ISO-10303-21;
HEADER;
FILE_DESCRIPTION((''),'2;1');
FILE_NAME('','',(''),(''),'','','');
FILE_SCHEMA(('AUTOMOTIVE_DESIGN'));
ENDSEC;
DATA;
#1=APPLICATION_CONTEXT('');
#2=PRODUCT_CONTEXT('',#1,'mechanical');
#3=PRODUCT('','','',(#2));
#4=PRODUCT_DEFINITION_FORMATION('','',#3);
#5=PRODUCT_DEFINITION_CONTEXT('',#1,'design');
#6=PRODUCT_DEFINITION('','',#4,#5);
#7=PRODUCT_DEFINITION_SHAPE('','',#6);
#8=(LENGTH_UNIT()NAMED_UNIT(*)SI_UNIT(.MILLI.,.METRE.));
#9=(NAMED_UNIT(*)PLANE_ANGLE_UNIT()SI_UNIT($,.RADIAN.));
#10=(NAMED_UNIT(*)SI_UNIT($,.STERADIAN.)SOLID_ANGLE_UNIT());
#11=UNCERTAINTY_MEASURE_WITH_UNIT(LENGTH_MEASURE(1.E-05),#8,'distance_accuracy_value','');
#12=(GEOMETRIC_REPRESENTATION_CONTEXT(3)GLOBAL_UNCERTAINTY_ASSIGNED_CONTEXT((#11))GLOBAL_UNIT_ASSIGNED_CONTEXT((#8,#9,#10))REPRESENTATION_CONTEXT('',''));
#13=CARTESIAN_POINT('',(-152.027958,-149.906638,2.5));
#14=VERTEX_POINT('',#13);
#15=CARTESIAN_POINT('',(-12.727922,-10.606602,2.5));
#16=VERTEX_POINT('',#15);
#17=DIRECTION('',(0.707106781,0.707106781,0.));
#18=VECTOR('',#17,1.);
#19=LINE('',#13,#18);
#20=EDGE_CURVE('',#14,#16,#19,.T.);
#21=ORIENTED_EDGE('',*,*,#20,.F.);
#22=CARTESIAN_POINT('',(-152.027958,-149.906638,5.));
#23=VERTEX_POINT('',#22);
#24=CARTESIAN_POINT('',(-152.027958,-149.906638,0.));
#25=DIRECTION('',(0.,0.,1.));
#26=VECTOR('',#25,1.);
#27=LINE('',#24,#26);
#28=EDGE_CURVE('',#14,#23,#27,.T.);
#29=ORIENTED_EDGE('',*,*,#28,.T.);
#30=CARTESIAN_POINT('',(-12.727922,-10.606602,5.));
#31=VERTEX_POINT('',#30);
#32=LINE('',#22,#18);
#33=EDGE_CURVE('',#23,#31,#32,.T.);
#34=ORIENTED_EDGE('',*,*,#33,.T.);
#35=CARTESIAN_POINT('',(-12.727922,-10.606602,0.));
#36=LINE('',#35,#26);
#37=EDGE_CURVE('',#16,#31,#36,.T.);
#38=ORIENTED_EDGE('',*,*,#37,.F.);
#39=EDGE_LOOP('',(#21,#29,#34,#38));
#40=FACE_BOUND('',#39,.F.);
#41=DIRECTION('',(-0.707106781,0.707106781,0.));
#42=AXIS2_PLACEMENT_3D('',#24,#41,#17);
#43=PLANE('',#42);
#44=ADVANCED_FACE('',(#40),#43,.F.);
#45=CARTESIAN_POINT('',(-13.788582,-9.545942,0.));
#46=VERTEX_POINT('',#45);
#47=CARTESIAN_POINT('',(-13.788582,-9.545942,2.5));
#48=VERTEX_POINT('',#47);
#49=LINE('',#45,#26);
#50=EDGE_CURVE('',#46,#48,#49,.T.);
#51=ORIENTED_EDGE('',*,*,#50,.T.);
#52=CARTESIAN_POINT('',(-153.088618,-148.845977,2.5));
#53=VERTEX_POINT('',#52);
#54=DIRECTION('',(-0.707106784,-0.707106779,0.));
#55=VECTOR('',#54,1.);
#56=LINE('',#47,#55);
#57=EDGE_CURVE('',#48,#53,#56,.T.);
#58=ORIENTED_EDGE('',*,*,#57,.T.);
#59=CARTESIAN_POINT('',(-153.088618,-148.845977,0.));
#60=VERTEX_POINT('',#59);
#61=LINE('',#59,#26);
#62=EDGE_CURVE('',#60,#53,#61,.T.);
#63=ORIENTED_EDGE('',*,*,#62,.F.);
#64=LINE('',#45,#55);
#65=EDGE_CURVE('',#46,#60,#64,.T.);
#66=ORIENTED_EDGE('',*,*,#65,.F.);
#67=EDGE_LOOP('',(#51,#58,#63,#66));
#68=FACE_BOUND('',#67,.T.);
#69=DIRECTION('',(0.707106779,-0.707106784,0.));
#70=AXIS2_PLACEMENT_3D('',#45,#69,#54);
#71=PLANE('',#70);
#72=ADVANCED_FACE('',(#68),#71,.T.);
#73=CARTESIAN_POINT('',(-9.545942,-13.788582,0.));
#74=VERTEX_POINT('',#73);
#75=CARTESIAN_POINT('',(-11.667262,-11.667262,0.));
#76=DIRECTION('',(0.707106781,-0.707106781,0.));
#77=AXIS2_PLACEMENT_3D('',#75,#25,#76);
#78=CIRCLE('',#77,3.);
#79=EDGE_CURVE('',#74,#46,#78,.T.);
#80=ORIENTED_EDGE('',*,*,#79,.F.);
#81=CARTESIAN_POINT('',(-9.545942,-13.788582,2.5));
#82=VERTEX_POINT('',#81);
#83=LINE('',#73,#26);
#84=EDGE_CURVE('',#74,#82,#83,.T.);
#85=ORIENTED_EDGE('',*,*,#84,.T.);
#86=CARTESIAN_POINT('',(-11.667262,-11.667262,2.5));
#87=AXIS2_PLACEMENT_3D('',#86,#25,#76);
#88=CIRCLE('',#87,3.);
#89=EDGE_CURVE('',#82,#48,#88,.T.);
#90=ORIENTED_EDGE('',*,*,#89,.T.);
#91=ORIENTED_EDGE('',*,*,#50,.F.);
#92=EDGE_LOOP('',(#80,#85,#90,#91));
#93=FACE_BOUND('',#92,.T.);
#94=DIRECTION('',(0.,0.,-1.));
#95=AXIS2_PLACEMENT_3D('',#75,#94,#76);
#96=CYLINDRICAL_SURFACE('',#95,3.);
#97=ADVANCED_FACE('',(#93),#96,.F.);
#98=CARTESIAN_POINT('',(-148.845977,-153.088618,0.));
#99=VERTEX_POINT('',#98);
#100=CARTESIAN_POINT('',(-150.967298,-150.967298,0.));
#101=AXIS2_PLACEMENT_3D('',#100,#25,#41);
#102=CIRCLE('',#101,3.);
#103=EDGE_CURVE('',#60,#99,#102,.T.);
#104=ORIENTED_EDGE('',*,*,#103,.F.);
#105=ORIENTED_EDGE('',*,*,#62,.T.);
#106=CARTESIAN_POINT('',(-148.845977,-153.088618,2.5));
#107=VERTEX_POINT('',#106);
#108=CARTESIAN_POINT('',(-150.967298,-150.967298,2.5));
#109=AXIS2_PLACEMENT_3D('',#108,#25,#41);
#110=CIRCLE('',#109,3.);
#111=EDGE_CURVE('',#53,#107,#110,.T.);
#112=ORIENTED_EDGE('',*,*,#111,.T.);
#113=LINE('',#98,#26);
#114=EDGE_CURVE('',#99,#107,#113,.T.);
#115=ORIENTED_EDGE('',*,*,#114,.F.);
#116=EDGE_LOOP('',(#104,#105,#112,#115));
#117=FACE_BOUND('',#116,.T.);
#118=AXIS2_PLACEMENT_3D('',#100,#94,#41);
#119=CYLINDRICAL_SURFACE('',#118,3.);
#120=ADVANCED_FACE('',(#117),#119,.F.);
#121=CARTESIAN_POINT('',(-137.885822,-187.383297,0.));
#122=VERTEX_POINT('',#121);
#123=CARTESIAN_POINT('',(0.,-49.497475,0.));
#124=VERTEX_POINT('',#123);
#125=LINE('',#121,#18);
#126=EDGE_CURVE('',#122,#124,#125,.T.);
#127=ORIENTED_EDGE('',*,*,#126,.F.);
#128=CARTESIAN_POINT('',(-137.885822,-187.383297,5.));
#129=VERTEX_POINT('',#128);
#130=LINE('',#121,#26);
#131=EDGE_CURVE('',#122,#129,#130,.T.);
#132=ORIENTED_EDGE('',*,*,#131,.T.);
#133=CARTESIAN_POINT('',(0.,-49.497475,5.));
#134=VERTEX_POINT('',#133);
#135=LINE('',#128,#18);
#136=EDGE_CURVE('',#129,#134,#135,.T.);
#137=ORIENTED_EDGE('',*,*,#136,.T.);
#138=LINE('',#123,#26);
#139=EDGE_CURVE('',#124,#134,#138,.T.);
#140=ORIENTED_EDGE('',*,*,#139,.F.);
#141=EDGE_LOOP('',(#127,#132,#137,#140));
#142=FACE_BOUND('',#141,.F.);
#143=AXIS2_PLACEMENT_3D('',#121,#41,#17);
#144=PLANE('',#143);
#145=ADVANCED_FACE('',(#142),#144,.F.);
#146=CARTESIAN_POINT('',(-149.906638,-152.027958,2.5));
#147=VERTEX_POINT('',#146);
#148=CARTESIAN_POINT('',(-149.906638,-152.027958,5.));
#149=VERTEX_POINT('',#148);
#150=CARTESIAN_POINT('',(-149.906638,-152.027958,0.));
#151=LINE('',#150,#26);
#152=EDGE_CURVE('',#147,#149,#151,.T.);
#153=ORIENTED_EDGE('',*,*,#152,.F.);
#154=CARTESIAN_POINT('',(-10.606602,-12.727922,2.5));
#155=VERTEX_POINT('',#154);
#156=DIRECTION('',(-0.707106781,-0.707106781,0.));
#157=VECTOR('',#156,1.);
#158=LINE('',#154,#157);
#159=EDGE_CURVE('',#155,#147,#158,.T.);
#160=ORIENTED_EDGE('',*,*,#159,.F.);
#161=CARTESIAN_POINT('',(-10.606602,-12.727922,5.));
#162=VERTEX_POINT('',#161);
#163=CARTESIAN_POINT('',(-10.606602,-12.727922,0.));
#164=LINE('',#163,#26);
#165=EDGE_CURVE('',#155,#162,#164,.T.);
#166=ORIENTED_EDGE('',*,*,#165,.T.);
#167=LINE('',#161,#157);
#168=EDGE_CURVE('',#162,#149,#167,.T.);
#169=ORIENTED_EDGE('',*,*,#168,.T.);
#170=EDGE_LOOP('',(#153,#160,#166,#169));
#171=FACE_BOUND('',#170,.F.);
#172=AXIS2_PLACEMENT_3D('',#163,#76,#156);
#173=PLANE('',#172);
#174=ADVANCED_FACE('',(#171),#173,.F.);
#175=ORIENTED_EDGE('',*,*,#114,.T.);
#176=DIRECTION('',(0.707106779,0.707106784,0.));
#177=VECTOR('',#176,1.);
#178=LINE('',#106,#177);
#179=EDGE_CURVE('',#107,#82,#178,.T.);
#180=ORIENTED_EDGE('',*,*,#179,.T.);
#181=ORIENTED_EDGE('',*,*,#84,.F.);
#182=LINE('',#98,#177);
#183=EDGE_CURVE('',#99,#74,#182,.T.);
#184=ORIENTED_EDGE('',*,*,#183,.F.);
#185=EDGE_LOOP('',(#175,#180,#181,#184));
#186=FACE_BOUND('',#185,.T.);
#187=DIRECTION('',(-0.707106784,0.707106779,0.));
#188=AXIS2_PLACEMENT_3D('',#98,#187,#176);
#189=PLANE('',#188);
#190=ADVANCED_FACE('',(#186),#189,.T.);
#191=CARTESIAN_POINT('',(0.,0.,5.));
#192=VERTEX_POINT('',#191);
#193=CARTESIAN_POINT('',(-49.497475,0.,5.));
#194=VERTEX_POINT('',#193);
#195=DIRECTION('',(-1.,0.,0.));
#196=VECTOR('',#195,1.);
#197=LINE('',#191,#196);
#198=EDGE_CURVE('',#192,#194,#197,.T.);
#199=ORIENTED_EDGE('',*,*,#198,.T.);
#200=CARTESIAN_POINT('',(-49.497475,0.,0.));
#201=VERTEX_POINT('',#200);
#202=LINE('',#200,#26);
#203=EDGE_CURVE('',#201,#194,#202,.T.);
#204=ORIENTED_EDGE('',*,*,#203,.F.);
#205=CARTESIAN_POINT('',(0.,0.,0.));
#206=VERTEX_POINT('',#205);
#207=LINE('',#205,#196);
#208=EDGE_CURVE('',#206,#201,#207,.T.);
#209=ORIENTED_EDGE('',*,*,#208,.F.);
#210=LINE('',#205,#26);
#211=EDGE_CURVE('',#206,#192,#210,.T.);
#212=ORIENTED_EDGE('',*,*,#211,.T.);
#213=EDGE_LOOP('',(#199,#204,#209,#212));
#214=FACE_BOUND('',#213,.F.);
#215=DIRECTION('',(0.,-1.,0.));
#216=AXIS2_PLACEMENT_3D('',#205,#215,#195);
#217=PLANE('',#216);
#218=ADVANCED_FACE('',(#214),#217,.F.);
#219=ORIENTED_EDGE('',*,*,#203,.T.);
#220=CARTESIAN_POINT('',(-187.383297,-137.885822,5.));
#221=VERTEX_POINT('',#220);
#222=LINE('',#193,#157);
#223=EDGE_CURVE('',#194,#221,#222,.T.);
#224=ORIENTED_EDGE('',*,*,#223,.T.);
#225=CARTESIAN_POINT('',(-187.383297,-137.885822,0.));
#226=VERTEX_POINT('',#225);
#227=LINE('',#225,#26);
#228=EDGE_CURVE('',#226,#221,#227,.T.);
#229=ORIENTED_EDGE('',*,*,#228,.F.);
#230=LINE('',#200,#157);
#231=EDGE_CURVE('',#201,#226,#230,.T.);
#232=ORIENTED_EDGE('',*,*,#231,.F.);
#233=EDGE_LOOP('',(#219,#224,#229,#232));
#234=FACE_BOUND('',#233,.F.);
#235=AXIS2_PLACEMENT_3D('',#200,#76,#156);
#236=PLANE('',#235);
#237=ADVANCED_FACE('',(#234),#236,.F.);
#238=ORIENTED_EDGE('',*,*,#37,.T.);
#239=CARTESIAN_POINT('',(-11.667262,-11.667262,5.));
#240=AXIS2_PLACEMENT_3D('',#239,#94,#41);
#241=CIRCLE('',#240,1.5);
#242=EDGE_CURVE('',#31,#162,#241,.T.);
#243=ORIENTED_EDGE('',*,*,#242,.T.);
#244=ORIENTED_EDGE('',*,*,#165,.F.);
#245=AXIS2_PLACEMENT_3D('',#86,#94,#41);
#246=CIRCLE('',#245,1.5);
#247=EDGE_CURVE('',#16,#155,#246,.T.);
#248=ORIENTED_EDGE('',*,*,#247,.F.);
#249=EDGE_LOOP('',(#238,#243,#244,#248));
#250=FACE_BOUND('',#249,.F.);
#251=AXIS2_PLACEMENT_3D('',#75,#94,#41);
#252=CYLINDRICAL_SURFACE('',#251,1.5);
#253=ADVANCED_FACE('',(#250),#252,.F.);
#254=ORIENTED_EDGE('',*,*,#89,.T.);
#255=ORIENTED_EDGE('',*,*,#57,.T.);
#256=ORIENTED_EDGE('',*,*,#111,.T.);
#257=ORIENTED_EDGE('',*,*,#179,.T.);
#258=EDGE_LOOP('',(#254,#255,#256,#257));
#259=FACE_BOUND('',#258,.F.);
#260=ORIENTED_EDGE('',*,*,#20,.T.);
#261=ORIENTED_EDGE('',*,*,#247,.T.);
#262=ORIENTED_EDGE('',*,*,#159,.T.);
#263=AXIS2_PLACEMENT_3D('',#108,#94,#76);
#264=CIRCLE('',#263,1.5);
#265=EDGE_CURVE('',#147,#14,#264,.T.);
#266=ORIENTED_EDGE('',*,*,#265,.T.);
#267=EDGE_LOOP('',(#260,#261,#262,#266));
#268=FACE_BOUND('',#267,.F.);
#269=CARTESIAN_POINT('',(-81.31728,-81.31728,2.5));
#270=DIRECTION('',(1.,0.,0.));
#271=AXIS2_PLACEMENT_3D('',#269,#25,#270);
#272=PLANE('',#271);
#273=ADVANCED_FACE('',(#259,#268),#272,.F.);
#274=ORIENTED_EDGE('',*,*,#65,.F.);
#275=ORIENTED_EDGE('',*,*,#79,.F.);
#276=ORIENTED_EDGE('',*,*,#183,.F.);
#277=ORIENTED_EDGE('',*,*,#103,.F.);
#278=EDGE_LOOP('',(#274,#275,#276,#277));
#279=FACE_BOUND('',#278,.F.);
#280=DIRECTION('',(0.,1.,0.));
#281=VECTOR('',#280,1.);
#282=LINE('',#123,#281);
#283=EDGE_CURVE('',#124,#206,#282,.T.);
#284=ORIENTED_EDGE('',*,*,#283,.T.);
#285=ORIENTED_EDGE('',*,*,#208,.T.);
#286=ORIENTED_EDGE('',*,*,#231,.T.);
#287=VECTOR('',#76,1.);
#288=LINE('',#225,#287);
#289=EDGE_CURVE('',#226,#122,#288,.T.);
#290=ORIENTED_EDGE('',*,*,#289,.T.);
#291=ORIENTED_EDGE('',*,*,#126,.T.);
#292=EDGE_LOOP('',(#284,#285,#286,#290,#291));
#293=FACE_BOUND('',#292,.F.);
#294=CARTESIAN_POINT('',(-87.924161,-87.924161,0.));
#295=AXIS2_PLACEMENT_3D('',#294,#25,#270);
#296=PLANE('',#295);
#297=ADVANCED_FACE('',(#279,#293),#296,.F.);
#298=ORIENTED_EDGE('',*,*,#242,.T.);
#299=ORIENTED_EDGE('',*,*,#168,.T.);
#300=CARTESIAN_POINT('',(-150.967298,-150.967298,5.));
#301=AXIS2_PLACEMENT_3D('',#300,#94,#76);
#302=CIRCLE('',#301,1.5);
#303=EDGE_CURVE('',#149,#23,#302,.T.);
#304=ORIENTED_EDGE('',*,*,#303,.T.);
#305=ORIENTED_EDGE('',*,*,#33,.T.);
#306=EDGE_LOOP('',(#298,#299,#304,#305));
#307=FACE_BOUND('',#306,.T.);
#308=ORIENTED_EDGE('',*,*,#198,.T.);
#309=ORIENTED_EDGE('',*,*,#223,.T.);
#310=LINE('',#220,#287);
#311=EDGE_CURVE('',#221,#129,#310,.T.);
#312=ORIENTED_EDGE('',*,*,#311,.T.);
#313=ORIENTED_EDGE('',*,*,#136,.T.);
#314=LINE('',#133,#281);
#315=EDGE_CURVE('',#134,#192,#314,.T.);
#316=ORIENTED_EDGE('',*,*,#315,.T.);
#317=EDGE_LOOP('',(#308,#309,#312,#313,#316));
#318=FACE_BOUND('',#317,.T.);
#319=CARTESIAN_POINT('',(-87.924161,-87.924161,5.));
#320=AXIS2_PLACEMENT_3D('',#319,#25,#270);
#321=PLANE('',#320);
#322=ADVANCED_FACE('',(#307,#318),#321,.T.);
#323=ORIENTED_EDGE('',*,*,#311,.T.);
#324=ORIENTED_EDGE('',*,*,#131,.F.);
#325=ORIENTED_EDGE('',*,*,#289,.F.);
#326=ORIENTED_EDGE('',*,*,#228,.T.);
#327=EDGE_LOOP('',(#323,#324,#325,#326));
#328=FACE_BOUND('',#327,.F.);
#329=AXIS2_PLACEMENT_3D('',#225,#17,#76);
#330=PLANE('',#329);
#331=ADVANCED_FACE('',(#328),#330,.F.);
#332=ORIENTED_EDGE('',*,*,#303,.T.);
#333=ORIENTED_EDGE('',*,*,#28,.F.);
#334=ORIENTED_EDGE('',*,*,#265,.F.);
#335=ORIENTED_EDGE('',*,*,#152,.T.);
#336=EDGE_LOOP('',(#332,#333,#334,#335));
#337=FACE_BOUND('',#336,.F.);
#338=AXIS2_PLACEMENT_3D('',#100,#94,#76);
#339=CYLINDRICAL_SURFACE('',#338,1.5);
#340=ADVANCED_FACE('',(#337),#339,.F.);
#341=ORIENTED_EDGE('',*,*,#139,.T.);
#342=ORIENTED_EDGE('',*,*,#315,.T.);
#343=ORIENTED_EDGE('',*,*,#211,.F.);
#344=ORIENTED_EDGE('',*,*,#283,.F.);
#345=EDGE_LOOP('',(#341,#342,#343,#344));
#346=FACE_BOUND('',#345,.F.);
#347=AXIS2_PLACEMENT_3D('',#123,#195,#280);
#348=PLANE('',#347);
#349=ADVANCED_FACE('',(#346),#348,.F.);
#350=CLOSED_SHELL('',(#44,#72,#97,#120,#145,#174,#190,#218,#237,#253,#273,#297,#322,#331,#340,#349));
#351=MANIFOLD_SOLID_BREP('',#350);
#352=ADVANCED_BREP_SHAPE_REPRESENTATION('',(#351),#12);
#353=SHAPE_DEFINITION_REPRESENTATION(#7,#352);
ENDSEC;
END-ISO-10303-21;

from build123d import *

# Parameters (mm, degrees)
F1_DEPTH = 5
F2_DEPTH = 2.5


with BuildPart() as f1:
    # F0 (on Top) → F1 (new body)
    with BuildSketch(Plane.XY):
        Polygon((-20, 0), (-49.497475, 0), (-187.383297, -137.885822), (-137.885822, -187.383297), (0, -49.497475), (0, 0), align=None)
        with BuildLine():
            Line((-153.088618, -148.845977), (-13.788582, -9.545942))
            ThreePointArc((-13.788582, -9.545942), (-9.545942, -9.545942), (-9.545942, -13.788582))
            Line((-9.545942, -13.788582), (-148.845977, -153.088618))
            ThreePointArc((-148.845977, -153.088618), (-153.088618, -153.088618), (-153.088618, -148.845977))
        make_face(mode=Mode.SUBTRACT)
        with BuildLine():
            ThreePointArc((-9.545942, -13.788582), (-9.545942, -9.545942), (-13.788582, -9.545942))
            Line((-13.788582, -9.545942), (-153.088618, -148.845977))
            ThreePointArc((-153.088618, -148.845977), (-153.088618, -153.088618), (-148.845977, -153.088618))
            Line((-148.845977, -153.088618), (-9.545942, -13.788582))
        make_face()
        with BuildLine():
            Line((-10.606602, -12.727922), (-149.906638, -152.027958))
            ThreePointArc((-149.906638, -152.027958), (-152.027958, -152.027958), (-152.027958, -149.906638))
            Line((-152.027958, -149.906638), (-12.727922, -10.606602))
            ThreePointArc((-12.727922, -10.606602), (-10.606602, -10.606602), (-10.606602, -12.727922))
        make_face(mode=Mode.SUBTRACT)
    extrude(amount=F1_DEPTH)

    # F0 (on Top) → F2 (cut)
    with BuildSketch(Plane.XY):
        with BuildLine():
            ThreePointArc((-9.545942, -13.788582), (-9.545942, -9.545942), (-13.788582, -9.545942))
            Line((-13.788582, -9.545942), (-153.088618, -148.845977))
            ThreePointArc((-153.088618, -148.845977), (-153.088618, -153.088618), (-148.845977, -153.088618))
            Line((-148.845977, -153.088618), (-9.545942, -13.788582))
        make_face()
        with BuildLine():
            Line((-10.606602, -12.727922), (-149.906638, -152.027958))
            ThreePointArc((-149.906638, -152.027958), (-152.027958, -152.027958), (-152.027958, -149.906638))
            Line((-152.027958, -149.906638), (-12.727922, -10.606602))
            ThreePointArc((-12.727922, -10.606602), (-10.606602, -10.606602), (-10.606602, -12.727922))
        make_face(mode=Mode.SUBTRACT)
    extrude(amount=F2_DEPTH, mode=Mode.SUBTRACT)


solid = f1.part
